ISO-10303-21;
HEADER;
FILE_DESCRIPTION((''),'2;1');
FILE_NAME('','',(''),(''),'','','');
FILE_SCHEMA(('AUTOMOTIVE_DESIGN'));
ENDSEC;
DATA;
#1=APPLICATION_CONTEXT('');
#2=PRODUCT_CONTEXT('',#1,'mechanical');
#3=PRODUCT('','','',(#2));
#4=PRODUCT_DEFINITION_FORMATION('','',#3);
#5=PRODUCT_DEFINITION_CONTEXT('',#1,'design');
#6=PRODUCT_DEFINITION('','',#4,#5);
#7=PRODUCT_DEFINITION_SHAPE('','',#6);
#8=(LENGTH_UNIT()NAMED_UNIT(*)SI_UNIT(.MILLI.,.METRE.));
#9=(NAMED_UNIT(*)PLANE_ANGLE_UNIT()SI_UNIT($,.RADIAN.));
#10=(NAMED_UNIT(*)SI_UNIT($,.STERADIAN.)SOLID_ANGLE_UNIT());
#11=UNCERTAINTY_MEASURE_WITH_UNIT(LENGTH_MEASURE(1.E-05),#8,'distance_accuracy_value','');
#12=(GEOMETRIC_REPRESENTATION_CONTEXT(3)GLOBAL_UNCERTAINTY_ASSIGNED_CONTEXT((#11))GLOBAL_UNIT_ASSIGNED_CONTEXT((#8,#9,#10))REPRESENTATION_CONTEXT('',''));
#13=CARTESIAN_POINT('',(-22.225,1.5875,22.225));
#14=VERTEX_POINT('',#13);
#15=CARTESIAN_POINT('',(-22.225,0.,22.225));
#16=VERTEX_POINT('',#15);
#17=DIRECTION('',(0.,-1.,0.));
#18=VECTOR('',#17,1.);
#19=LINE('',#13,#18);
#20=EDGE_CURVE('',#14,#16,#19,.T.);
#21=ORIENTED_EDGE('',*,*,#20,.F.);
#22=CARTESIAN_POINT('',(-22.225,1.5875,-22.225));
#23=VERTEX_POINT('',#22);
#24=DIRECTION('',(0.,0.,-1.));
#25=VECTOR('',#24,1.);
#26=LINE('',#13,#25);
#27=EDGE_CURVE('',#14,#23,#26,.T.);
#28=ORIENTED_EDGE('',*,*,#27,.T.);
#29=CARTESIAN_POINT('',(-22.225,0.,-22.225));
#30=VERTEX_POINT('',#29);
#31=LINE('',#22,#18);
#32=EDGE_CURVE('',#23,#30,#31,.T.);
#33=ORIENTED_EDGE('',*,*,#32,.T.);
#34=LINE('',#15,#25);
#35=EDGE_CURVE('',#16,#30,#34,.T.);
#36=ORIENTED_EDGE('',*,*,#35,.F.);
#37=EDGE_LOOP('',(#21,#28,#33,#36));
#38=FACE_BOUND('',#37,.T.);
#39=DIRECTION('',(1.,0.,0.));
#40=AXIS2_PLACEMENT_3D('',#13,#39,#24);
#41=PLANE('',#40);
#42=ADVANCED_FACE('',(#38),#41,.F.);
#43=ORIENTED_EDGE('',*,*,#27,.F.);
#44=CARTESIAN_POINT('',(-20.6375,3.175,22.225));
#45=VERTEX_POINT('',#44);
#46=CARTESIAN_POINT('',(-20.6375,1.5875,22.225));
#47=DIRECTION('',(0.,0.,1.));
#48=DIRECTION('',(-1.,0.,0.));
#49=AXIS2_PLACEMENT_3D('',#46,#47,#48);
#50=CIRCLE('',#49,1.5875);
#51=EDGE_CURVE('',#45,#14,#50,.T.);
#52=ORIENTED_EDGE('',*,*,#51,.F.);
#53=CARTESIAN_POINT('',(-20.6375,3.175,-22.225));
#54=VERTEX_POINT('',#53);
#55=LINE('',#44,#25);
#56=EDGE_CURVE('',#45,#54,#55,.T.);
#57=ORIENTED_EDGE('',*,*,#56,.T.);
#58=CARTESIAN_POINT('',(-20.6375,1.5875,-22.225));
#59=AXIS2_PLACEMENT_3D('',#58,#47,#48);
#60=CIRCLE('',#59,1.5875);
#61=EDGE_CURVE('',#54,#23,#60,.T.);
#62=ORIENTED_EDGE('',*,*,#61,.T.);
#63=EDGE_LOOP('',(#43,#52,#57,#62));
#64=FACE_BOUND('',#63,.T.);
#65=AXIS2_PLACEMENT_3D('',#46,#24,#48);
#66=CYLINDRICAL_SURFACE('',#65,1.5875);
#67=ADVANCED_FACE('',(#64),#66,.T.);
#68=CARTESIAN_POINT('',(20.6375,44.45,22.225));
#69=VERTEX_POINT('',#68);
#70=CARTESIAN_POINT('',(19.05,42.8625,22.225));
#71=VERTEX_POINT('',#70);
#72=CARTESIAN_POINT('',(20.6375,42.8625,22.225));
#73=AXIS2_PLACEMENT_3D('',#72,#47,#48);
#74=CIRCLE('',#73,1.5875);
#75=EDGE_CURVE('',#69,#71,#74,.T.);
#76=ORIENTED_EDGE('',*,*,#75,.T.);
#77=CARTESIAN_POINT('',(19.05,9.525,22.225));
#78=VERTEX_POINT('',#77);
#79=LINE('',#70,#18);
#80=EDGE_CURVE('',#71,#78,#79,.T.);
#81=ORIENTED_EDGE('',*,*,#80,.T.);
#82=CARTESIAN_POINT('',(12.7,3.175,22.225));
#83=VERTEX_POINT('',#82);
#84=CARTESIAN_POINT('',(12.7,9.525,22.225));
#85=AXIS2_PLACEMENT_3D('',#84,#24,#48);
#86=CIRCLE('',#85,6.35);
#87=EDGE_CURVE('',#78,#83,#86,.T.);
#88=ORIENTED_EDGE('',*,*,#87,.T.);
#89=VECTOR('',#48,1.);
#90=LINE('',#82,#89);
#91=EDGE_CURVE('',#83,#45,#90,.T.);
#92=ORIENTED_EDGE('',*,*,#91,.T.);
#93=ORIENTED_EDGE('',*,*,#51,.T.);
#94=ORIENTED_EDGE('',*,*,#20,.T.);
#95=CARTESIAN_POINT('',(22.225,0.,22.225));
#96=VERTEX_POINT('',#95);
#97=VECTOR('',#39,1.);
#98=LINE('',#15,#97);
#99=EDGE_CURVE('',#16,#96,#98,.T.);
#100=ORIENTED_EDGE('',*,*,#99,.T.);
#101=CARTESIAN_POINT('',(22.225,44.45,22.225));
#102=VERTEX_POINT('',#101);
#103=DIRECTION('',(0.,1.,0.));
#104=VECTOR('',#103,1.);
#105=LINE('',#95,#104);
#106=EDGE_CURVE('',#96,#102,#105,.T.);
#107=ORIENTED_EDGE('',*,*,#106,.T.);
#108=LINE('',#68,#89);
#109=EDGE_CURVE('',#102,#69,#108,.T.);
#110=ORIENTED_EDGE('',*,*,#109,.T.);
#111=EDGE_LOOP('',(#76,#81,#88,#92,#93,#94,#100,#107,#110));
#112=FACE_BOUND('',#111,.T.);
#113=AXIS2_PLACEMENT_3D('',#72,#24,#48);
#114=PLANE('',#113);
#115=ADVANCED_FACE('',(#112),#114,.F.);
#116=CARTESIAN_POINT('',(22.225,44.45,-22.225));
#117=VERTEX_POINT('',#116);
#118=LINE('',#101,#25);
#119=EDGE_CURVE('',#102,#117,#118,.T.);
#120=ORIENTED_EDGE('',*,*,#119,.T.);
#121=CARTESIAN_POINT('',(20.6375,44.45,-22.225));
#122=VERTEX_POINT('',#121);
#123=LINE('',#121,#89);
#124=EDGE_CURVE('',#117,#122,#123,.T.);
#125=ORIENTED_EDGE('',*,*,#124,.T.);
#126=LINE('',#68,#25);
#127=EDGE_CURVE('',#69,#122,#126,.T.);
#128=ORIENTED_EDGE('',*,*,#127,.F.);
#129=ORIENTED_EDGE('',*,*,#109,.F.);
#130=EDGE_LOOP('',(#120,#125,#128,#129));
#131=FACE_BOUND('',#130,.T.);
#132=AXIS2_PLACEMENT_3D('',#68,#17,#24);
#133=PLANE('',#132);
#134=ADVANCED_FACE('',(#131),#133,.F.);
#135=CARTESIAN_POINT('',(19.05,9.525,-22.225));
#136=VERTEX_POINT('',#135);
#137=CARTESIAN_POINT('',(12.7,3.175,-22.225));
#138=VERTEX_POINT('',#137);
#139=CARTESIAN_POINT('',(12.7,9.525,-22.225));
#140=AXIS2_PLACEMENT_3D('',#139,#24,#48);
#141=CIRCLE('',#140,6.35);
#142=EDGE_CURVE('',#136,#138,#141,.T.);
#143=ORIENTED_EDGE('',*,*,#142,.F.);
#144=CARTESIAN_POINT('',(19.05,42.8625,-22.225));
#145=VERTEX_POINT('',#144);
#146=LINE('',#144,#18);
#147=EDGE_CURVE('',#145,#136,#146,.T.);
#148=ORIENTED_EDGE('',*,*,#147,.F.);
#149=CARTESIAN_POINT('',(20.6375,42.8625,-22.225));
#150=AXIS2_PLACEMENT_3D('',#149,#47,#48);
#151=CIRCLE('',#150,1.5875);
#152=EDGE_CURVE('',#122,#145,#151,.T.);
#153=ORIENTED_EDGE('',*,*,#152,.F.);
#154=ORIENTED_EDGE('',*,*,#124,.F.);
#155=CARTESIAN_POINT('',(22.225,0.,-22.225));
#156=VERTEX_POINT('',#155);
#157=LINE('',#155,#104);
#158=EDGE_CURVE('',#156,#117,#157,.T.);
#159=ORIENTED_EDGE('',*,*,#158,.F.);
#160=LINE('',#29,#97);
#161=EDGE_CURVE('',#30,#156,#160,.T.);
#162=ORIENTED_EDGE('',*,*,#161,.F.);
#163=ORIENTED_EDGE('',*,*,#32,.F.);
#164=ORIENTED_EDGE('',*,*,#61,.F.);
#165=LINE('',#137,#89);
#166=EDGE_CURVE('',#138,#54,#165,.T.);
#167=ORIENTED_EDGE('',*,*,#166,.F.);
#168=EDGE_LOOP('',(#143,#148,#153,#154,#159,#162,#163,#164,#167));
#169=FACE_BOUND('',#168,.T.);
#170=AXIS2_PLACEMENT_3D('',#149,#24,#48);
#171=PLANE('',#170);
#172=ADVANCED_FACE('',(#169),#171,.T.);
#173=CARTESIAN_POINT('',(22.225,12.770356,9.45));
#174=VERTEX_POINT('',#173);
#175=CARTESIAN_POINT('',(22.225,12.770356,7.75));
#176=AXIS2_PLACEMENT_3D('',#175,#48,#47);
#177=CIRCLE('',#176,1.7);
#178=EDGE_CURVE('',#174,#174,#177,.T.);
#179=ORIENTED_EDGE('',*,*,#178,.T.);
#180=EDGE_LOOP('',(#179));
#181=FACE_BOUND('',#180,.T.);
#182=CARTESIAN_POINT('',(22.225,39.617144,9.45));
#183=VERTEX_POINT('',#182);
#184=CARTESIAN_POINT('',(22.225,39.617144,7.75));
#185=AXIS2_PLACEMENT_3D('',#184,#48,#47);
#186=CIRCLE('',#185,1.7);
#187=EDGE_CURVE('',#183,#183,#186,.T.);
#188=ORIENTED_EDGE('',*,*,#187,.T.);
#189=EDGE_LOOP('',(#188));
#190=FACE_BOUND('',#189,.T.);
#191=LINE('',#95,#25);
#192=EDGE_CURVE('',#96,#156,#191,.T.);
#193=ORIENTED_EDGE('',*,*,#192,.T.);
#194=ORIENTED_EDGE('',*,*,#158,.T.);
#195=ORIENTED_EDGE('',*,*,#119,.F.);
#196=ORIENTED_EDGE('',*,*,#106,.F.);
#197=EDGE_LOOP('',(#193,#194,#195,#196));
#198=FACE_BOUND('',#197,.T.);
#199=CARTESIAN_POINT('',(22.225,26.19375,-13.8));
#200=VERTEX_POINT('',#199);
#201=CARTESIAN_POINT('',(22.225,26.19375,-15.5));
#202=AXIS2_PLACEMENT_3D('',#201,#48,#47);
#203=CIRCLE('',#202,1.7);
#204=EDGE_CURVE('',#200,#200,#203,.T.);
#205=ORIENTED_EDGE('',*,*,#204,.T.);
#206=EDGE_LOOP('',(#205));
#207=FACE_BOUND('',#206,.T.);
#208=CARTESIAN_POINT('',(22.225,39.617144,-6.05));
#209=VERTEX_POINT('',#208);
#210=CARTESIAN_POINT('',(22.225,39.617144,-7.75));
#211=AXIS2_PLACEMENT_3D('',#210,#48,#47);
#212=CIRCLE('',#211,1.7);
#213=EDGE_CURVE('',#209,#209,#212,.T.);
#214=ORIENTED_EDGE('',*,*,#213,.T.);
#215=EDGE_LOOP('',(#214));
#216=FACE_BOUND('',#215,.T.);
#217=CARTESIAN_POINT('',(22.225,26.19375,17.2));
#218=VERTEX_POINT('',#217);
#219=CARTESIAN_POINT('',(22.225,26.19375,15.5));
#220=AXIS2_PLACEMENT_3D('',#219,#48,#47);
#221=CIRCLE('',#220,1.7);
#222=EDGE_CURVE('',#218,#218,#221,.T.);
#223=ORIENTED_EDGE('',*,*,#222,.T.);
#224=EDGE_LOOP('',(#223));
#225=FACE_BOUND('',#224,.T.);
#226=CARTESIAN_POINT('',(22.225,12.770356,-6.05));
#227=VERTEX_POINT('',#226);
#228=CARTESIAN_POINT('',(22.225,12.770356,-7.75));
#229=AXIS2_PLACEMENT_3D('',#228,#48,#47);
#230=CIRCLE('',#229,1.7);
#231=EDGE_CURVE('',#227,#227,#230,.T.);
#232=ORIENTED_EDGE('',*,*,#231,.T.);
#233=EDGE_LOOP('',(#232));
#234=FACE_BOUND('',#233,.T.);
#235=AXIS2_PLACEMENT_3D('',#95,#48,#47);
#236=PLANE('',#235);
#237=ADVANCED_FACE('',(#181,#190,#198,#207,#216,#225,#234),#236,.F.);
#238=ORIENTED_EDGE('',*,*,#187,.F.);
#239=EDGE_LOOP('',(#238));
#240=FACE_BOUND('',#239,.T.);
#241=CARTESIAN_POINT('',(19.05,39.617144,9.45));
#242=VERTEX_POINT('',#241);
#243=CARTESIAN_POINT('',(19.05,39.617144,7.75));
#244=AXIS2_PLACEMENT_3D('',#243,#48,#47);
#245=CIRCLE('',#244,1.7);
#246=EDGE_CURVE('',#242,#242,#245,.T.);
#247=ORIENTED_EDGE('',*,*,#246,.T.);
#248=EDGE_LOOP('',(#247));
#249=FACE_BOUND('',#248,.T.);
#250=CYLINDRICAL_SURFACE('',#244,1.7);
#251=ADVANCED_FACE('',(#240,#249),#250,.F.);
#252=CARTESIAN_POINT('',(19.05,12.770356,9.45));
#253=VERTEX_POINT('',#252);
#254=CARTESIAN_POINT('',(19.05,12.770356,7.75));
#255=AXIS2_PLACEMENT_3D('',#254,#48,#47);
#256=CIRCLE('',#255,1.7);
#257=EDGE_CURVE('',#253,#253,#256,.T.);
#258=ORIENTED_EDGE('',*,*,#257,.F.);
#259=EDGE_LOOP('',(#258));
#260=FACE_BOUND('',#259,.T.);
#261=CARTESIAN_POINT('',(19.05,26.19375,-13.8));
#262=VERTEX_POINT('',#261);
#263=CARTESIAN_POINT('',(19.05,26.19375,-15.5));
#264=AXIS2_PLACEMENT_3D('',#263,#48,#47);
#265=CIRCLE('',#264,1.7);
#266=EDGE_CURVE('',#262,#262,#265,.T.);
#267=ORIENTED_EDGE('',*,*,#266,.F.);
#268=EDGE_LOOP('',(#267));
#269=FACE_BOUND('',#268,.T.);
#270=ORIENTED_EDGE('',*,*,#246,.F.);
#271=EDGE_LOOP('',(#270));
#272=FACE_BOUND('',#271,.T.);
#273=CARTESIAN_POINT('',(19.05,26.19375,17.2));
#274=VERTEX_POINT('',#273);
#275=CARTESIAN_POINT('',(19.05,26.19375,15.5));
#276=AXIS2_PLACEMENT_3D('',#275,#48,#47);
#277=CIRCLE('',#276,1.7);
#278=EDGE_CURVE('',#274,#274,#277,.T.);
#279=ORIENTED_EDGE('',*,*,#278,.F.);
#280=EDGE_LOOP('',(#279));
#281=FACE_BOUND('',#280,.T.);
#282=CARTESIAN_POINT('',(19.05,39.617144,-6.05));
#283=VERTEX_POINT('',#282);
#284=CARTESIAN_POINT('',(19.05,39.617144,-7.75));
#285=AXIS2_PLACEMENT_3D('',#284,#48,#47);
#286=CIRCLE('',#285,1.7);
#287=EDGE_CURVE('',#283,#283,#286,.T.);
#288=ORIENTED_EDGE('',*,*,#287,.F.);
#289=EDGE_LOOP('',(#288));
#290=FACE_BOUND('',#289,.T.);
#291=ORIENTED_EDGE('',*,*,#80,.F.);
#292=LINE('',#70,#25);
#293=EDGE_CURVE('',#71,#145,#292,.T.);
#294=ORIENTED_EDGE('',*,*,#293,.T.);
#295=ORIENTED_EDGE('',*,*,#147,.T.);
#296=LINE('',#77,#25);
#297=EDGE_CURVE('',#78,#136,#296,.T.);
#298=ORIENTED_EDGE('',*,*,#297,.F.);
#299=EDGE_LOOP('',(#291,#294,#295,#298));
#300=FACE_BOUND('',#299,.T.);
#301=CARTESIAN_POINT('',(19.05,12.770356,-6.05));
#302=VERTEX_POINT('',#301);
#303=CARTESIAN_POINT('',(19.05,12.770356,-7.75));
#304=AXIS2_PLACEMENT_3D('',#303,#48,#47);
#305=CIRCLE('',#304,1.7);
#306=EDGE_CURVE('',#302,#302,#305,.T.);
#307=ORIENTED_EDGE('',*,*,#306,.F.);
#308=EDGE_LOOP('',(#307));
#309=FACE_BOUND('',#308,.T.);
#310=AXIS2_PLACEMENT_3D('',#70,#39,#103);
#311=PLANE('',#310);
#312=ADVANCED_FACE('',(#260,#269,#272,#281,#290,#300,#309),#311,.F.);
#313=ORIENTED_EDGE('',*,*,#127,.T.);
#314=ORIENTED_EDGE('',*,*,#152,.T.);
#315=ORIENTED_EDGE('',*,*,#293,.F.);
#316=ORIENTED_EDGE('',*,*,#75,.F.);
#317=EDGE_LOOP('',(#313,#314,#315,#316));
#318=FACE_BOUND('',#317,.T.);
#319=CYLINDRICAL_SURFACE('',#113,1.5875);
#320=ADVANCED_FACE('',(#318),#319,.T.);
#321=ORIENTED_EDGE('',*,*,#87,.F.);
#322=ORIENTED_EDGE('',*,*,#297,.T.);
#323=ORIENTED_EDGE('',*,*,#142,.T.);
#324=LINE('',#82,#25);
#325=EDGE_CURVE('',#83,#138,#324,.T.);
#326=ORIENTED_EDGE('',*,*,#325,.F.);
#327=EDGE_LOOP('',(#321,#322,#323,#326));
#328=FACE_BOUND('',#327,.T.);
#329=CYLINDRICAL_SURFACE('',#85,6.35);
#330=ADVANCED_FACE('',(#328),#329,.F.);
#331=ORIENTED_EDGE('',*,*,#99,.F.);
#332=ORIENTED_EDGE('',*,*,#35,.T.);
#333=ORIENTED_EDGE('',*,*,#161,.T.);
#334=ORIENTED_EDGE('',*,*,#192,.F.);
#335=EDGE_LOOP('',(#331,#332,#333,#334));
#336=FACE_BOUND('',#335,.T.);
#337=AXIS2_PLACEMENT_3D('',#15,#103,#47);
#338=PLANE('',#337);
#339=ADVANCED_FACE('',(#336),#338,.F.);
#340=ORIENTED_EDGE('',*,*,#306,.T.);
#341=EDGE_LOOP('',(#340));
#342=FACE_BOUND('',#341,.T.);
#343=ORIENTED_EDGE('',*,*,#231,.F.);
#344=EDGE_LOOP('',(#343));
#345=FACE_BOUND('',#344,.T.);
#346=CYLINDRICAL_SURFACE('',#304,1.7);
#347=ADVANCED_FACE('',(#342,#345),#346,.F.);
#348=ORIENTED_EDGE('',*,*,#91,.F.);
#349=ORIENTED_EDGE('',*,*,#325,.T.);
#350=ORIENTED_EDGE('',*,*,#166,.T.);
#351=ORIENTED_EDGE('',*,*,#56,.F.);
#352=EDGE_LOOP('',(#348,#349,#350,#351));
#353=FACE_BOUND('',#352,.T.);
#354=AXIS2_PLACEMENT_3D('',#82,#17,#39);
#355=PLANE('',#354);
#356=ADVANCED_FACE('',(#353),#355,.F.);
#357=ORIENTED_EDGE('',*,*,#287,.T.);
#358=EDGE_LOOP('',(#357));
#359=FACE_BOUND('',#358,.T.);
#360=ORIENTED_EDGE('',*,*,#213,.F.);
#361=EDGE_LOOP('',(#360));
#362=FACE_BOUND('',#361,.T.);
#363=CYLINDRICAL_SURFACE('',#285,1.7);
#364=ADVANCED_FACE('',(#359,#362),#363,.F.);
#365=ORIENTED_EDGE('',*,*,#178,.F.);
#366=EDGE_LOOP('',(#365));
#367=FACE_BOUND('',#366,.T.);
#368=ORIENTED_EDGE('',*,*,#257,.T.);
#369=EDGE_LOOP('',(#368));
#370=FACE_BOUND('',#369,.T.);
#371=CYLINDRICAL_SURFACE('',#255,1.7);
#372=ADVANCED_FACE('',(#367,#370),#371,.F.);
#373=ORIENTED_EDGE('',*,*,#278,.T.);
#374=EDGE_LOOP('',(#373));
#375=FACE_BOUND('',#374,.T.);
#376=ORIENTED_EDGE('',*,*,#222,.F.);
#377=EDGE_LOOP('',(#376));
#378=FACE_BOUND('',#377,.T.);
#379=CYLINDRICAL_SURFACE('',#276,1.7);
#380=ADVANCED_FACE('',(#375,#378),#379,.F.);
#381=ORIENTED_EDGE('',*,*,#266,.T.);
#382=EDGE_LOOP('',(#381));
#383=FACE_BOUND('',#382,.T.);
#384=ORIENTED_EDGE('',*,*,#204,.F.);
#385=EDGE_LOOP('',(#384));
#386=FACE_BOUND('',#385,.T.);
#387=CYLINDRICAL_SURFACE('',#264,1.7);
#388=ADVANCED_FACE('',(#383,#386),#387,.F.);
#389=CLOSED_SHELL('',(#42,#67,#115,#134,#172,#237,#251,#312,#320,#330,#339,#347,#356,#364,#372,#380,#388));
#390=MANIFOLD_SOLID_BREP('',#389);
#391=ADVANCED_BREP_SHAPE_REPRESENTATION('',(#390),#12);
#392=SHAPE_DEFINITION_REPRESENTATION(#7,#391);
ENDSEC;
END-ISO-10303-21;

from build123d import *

# Parameters (mm, degrees)
BOSS_EXTRUDE1_DEPTH  = 22.225
M3_CLEARANCE_HOLE2_D = 3.4


with BuildPart() as part:
    # Sketch2 → Boss-Extrude1 (new, symmetric)
    with BuildSketch(Plane.XY):
        with BuildLine():
            Line((-22.225, 0), (22.225, 0))
            Line((22.225, 0), (22.225, 44.45))
            Line((22.225, 44.45), (20.6375, 44.45))
            ThreePointArc((20.6375, 44.45), (19.514967985, 43.985032015), (19.05, 42.8625))
            Line((19.05, 42.8625), (19.05, 9.525))
            ThreePointArc((19.05, 9.525), (17.190128061, 5.034871939), (12.7, 3.175))
            Line((12.7, 3.175), (-20.6375, 3.175))
            ThreePointArc((-20.6375, 3.175), (-21.760032015, 2.710032015), (-22.225, 1.5875))
            Line((-22.225, 1.5875), (-22.225, 0))
        make_face()
    extrude(amount=BOSS_EXTRUDE1_DEPTH, both=True)

    # M3 Clearance Hole2 (through all)
    with Locations(Plane.ZY.offset(-19.05)):
        with Locations((7.75, 12.770356241), (15.5, 26.19375), (7.75, 39.617143759), (-7.75, 39.617143759), (-15.5, 26.19375), (-7.75, 12.770356241)):
            Hole(M3_CLEARANCE_HOLE2_D / 2)


solid = part.part
